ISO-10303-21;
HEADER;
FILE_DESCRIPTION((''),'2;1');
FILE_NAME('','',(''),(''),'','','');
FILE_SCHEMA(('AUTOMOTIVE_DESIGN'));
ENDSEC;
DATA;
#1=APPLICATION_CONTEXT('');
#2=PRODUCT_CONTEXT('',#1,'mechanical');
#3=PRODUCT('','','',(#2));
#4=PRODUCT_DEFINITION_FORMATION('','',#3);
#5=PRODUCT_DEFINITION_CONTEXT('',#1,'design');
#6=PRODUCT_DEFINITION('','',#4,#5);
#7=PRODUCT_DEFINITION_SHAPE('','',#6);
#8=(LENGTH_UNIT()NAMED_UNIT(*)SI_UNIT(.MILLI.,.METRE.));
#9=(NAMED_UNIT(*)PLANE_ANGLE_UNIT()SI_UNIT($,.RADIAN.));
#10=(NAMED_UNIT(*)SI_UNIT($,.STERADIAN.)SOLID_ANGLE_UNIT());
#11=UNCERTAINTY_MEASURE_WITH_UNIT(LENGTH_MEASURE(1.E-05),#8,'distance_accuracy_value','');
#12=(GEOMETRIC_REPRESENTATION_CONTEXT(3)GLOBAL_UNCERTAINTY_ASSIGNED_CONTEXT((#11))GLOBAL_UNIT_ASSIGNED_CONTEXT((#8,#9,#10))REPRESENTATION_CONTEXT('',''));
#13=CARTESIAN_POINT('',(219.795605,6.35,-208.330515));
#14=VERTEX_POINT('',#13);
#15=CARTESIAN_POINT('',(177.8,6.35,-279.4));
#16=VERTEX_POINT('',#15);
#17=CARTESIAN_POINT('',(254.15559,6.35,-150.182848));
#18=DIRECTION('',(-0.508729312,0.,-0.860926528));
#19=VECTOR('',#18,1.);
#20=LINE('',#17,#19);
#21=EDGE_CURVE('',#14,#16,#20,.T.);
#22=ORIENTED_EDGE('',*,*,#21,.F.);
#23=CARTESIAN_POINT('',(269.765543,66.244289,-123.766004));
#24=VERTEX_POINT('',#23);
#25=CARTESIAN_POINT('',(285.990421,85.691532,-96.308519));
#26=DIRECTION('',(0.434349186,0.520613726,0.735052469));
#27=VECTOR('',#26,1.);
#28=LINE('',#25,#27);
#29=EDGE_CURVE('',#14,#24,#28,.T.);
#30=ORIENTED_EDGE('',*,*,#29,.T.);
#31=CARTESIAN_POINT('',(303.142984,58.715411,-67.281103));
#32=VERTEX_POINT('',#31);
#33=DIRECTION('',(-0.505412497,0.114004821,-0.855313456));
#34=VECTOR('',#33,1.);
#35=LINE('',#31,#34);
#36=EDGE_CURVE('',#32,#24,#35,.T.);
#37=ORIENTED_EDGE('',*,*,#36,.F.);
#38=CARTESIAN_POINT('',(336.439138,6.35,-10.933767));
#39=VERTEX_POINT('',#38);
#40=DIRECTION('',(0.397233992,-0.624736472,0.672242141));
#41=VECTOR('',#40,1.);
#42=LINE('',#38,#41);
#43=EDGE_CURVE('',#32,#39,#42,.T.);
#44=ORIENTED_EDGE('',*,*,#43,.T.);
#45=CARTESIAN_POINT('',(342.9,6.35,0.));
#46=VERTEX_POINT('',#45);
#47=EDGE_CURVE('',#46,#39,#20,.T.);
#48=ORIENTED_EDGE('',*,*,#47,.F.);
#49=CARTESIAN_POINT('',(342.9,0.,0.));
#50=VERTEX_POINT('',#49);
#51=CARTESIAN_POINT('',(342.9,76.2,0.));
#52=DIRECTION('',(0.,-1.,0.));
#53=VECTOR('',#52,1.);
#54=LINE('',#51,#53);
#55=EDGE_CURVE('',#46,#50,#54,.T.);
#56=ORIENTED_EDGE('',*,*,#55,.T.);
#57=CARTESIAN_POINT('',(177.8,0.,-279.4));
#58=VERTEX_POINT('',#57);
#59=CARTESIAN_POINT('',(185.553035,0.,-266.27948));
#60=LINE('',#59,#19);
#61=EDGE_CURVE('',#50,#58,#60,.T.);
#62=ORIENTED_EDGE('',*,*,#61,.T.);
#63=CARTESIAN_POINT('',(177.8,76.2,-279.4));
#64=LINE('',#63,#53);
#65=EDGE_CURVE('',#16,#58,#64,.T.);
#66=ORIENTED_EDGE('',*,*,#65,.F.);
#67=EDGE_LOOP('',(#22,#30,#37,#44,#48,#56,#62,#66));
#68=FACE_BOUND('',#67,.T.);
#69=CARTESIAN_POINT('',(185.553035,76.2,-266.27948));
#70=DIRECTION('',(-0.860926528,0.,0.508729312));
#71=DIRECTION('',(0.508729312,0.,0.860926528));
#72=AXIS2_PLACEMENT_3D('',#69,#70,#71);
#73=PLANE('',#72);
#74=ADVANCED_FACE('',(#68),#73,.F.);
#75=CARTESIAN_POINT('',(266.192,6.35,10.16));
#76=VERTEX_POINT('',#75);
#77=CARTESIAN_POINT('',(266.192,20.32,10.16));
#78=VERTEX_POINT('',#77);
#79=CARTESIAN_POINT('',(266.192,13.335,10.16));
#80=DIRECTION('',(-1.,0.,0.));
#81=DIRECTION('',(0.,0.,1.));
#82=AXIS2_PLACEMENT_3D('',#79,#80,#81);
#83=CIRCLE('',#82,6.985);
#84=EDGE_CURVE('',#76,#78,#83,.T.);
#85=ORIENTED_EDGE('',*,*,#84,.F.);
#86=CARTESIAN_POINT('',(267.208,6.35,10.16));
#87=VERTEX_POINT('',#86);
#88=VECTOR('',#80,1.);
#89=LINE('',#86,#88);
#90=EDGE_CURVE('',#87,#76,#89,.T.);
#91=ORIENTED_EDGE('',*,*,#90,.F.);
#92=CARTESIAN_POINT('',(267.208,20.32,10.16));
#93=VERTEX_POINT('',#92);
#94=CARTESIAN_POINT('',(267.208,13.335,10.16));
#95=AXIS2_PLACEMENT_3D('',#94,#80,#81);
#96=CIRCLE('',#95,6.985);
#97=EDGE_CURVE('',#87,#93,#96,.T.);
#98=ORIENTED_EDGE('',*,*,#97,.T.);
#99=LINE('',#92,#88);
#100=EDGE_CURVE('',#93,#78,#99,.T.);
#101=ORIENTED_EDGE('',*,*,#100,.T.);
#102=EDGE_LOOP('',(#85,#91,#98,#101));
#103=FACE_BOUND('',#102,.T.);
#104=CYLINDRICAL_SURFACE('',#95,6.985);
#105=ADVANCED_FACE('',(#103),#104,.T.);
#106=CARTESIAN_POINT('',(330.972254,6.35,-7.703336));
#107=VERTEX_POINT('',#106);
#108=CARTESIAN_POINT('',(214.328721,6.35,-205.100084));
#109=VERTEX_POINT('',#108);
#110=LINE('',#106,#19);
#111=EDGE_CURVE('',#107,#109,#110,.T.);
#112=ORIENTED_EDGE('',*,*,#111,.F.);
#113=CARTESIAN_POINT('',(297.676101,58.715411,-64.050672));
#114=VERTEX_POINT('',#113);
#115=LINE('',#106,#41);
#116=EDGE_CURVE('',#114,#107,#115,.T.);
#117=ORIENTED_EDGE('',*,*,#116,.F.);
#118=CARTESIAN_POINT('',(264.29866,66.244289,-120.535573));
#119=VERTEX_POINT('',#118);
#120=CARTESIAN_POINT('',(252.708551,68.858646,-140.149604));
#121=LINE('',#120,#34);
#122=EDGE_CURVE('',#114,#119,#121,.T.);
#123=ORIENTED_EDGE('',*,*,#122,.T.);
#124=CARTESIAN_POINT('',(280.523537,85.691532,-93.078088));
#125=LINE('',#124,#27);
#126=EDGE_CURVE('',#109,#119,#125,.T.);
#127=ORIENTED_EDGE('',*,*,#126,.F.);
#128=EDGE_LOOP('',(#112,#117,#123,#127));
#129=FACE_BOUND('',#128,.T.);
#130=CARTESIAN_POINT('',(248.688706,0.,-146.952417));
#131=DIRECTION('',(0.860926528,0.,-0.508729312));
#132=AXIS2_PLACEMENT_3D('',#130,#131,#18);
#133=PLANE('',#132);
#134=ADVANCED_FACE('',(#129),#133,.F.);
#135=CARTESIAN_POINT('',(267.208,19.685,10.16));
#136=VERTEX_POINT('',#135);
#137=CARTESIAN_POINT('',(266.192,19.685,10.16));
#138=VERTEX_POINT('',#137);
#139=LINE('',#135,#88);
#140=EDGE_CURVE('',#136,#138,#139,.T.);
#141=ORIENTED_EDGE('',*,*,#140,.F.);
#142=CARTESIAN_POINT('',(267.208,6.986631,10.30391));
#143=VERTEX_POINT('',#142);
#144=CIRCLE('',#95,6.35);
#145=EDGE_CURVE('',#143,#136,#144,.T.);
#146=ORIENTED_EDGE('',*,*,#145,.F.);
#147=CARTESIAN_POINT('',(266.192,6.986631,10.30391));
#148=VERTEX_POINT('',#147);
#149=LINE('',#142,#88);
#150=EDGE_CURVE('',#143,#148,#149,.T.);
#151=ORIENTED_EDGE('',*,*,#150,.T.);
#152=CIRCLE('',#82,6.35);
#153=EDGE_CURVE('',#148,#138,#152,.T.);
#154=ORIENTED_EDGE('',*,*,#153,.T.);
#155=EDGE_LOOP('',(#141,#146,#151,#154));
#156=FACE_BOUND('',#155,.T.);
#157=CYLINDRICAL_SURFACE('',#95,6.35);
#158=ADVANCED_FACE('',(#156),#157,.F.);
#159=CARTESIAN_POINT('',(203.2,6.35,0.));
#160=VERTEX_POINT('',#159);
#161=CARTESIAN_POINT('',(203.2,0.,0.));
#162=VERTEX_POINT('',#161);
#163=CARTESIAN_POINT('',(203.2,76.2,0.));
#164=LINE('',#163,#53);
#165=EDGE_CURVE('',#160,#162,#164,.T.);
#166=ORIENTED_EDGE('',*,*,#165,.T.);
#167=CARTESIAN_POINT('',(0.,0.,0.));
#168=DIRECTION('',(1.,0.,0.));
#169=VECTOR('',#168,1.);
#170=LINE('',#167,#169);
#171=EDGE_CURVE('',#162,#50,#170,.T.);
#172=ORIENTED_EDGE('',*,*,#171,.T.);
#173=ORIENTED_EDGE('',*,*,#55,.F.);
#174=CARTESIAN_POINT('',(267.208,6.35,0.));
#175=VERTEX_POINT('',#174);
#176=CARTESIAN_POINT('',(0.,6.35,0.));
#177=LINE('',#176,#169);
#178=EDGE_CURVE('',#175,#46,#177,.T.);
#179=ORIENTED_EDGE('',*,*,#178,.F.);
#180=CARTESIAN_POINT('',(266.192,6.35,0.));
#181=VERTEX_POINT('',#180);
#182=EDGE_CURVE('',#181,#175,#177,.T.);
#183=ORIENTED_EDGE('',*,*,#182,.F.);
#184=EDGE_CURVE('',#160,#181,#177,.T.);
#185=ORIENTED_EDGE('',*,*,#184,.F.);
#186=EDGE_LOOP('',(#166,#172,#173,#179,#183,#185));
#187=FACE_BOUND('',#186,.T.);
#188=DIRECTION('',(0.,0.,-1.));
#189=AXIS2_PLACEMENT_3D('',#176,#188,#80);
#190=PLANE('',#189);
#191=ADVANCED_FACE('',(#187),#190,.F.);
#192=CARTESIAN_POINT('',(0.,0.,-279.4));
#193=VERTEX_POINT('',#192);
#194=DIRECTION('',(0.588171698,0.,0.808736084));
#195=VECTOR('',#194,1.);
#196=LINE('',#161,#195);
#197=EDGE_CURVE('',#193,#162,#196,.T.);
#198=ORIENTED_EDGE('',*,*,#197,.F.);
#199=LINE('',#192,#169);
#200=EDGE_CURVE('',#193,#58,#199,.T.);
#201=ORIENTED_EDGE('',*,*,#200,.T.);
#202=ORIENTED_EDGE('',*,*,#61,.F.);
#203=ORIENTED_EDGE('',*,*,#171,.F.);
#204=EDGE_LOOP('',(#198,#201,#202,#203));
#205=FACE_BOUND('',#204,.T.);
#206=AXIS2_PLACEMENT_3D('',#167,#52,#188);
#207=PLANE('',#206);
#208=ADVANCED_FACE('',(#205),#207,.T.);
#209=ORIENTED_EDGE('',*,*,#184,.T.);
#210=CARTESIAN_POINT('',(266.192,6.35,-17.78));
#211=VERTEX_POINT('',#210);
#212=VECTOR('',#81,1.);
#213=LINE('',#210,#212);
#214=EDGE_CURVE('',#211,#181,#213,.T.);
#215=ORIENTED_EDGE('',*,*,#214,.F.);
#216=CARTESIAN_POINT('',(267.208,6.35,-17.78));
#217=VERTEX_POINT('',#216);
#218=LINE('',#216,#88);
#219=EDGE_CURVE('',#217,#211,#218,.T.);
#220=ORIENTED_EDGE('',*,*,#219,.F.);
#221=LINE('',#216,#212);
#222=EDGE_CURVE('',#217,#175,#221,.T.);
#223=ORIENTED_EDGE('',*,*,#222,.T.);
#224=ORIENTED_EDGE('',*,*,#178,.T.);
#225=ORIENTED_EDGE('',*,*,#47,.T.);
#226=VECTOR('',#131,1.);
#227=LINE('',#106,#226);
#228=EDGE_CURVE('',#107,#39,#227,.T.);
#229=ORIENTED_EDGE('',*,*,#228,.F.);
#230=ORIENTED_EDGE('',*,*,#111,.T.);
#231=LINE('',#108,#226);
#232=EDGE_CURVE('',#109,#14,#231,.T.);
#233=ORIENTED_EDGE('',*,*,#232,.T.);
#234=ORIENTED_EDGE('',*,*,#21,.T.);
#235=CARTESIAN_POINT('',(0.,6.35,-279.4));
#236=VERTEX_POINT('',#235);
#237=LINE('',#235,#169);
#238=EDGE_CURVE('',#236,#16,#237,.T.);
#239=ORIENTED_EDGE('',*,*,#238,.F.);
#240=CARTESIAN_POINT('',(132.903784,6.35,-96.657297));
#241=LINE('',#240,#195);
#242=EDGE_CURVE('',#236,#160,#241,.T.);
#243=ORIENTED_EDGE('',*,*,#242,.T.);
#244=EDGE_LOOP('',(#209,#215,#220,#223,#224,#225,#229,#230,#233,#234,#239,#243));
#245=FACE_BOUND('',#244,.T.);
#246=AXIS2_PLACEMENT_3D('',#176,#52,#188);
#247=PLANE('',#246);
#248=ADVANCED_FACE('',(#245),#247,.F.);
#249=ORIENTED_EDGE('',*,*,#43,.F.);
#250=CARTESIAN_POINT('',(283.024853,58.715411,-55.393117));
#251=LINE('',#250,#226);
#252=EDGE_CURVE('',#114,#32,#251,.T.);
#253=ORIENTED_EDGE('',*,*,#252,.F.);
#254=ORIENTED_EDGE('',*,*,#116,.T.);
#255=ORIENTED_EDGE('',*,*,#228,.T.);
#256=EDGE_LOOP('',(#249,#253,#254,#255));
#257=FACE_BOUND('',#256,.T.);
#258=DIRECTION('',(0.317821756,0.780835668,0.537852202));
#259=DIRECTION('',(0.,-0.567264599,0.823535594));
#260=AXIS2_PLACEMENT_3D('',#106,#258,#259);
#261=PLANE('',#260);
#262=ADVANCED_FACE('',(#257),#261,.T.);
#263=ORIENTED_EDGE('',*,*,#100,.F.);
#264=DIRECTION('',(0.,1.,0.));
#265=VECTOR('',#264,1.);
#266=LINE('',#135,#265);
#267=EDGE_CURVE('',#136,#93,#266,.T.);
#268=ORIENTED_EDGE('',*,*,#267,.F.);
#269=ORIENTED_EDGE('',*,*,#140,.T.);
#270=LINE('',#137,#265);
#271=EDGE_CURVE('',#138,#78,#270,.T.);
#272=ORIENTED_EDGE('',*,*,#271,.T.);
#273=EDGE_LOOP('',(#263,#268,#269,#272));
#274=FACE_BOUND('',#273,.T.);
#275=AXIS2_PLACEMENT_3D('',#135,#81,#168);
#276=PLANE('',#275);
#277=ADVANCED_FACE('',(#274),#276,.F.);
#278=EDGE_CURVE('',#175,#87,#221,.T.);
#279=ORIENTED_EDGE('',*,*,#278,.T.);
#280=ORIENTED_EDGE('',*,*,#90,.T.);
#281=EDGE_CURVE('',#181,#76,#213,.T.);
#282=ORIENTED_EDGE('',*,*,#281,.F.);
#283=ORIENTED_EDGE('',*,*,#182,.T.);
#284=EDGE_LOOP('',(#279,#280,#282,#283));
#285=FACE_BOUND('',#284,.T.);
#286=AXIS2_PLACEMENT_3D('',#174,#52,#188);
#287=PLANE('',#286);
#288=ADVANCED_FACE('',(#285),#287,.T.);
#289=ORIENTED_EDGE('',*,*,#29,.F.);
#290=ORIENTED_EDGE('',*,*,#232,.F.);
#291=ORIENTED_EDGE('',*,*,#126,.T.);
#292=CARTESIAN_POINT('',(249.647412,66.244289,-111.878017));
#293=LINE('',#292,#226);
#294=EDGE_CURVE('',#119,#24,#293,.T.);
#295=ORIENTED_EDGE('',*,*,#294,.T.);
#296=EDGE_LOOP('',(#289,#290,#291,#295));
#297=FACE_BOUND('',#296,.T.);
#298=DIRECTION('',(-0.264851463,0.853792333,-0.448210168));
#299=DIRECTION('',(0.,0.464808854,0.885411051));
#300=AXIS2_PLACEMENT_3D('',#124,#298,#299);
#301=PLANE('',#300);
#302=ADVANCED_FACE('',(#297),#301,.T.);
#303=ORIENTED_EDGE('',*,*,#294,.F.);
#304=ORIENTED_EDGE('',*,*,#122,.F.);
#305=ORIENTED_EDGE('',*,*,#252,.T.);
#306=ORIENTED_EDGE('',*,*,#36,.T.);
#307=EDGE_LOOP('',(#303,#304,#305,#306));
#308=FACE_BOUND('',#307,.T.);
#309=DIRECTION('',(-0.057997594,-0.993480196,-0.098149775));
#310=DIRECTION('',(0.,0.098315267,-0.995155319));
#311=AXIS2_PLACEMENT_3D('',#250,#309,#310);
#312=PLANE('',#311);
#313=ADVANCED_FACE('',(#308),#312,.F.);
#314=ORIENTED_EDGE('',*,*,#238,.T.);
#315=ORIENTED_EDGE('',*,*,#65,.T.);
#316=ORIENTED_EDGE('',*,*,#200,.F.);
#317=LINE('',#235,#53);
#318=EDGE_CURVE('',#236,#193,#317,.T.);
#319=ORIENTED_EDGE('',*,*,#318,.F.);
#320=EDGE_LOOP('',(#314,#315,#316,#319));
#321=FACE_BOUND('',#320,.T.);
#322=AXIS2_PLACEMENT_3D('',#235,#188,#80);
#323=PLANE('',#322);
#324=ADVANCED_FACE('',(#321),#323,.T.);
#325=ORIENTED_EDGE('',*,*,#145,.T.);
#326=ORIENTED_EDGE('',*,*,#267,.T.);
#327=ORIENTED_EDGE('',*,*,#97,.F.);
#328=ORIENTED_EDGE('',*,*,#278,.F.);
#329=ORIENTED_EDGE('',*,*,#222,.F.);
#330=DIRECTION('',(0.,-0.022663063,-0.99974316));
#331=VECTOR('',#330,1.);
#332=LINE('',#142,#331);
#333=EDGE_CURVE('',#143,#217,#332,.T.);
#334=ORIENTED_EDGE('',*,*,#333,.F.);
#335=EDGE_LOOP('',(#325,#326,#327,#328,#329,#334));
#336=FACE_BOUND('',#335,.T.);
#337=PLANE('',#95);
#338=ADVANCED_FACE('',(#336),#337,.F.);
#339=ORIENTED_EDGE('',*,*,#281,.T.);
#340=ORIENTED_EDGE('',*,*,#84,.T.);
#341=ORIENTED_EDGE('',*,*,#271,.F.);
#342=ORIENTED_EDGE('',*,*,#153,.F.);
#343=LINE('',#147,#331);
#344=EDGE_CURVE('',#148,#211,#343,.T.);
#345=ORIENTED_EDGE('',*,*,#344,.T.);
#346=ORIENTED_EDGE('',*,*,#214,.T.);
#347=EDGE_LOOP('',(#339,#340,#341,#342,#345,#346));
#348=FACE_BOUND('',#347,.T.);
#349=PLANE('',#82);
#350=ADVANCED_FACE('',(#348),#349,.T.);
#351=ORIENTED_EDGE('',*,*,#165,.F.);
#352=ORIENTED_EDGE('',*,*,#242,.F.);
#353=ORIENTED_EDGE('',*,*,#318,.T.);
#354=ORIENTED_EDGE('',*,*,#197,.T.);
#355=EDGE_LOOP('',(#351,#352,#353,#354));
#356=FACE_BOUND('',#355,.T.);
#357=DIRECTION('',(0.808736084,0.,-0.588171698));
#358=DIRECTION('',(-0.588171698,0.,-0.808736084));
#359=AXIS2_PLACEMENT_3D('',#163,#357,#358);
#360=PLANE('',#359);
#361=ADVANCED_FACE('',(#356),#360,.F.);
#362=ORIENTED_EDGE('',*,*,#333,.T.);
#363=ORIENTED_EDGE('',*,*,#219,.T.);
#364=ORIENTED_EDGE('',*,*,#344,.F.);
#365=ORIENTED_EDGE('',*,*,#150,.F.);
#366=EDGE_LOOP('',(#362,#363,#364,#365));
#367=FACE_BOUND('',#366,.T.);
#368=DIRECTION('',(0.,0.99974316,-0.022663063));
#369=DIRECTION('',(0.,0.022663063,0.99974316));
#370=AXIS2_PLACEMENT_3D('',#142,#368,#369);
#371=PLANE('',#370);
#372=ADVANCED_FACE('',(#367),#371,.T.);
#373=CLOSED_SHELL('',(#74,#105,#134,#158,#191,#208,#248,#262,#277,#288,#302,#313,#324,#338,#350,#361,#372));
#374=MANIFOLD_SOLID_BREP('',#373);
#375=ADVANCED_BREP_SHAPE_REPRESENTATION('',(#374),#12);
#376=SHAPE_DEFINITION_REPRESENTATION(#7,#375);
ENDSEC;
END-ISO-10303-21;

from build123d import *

# Parameters (mm, degrees)
SKETCH_W            = 533.4
SKETCH_H            = 279.4
EXTRUDE_2_DEPTH     = 6.35
EXTRUDE4_DEPTH      = 0.508
EXTRUDE4_DEPTH_BACK = 0.508
EXTRUDE5_DEPTH      = 76.2
EXTRUDE6_DEPTH      = 6.35
CUT_EXTRUDE1_DEPTH  = 23.368


with BuildPart() as part:
    # Sketch → Extrude 2 (new body)
    with BuildSketch(Plane(origin=(0, 0, 0), x_dir=(1, 0, 0), z_dir=(0, 1, 0))):
        with Locations((266.7, 139.7)):
            Rectangle(SKETCH_W, SKETCH_H)
    extrude(amount=EXTRUDE_2_DEPTH)

    # Sketch5 → Extrude4 (add, two sides: drawn at the far end of the back side and taken through both)
    with BuildSketch(Plane.ZY.offset(-266.7).offset(-EXTRUDE4_DEPTH_BACK)):
        with BuildLine():
            Line((0, 6.35), (10.16, 6.35))
            ThreePointArc((10.16, 6.35), (17.145, 13.335), (10.16, 20.32))
            Line((10.16, 20.32), (10.16, 19.685))
            ThreePointArc((10.16, 19.685), (16.509592253, 13.406959845), (10.303910448, 6.986630935))
            Line((10.303910448, 6.986630935), (-17.78, 6.35))
            Line((-17.78, 6.35), (0, 6.35))
        make_face()
    extrude(amount=EXTRUDE4_DEPTH + EXTRUDE4_DEPTH_BACK)

    # Sketch6 → Extrude5 (cut)
    with BuildSketch(Plane.XZ):
        Polygon((185.553034717, -266.27947971), (177.8, -279.4), (185.42, -279.4), (533.4, -279.4), (533.4, 0), (342.9, 0), align=None)
        Polygon((0, 0), (203.2, 0), (0, -279.4), align=None)
    extrude(amount=-EXTRUDE5_DEPTH, mode=Mode.SUBTRACT)

    # Sketch7 → Extrude6 (add)
    with BuildSketch(Plane(origin=(254.155589587, 0, -150.182848392), x_dir=(-0.5087293121266415, 0, -0.8609265282143153), z_dir=(0.8609265282143153, 0, -0.5087293121266415))):
        Polygon((-161.743281128, 6.35), (-62.577151256, 85.691531912), (67.540800287, 6.35), align=None)
    extrude(amount=-EXTRUDE6_DEPTH)

    # Sketch8 → Cut-Extrude1 (cut)
    with BuildSketch(Plane(origin=(254.155589587, 0, -150.182848392), x_dir=(-0.5087293121266415, 0, -0.8609265282143153), z_dir=(0.8609265282143153, 0, -0.5087293121266415))):
        Polygon((-96.293635413, 58.715411062), (-30.684203238, 66.244289445), (-62.577151256, 85.691531912), align=None)
    extrude(amount=-CUT_EXTRUDE1_DEPTH, mode=Mode.SUBTRACT)


solid = part.part
